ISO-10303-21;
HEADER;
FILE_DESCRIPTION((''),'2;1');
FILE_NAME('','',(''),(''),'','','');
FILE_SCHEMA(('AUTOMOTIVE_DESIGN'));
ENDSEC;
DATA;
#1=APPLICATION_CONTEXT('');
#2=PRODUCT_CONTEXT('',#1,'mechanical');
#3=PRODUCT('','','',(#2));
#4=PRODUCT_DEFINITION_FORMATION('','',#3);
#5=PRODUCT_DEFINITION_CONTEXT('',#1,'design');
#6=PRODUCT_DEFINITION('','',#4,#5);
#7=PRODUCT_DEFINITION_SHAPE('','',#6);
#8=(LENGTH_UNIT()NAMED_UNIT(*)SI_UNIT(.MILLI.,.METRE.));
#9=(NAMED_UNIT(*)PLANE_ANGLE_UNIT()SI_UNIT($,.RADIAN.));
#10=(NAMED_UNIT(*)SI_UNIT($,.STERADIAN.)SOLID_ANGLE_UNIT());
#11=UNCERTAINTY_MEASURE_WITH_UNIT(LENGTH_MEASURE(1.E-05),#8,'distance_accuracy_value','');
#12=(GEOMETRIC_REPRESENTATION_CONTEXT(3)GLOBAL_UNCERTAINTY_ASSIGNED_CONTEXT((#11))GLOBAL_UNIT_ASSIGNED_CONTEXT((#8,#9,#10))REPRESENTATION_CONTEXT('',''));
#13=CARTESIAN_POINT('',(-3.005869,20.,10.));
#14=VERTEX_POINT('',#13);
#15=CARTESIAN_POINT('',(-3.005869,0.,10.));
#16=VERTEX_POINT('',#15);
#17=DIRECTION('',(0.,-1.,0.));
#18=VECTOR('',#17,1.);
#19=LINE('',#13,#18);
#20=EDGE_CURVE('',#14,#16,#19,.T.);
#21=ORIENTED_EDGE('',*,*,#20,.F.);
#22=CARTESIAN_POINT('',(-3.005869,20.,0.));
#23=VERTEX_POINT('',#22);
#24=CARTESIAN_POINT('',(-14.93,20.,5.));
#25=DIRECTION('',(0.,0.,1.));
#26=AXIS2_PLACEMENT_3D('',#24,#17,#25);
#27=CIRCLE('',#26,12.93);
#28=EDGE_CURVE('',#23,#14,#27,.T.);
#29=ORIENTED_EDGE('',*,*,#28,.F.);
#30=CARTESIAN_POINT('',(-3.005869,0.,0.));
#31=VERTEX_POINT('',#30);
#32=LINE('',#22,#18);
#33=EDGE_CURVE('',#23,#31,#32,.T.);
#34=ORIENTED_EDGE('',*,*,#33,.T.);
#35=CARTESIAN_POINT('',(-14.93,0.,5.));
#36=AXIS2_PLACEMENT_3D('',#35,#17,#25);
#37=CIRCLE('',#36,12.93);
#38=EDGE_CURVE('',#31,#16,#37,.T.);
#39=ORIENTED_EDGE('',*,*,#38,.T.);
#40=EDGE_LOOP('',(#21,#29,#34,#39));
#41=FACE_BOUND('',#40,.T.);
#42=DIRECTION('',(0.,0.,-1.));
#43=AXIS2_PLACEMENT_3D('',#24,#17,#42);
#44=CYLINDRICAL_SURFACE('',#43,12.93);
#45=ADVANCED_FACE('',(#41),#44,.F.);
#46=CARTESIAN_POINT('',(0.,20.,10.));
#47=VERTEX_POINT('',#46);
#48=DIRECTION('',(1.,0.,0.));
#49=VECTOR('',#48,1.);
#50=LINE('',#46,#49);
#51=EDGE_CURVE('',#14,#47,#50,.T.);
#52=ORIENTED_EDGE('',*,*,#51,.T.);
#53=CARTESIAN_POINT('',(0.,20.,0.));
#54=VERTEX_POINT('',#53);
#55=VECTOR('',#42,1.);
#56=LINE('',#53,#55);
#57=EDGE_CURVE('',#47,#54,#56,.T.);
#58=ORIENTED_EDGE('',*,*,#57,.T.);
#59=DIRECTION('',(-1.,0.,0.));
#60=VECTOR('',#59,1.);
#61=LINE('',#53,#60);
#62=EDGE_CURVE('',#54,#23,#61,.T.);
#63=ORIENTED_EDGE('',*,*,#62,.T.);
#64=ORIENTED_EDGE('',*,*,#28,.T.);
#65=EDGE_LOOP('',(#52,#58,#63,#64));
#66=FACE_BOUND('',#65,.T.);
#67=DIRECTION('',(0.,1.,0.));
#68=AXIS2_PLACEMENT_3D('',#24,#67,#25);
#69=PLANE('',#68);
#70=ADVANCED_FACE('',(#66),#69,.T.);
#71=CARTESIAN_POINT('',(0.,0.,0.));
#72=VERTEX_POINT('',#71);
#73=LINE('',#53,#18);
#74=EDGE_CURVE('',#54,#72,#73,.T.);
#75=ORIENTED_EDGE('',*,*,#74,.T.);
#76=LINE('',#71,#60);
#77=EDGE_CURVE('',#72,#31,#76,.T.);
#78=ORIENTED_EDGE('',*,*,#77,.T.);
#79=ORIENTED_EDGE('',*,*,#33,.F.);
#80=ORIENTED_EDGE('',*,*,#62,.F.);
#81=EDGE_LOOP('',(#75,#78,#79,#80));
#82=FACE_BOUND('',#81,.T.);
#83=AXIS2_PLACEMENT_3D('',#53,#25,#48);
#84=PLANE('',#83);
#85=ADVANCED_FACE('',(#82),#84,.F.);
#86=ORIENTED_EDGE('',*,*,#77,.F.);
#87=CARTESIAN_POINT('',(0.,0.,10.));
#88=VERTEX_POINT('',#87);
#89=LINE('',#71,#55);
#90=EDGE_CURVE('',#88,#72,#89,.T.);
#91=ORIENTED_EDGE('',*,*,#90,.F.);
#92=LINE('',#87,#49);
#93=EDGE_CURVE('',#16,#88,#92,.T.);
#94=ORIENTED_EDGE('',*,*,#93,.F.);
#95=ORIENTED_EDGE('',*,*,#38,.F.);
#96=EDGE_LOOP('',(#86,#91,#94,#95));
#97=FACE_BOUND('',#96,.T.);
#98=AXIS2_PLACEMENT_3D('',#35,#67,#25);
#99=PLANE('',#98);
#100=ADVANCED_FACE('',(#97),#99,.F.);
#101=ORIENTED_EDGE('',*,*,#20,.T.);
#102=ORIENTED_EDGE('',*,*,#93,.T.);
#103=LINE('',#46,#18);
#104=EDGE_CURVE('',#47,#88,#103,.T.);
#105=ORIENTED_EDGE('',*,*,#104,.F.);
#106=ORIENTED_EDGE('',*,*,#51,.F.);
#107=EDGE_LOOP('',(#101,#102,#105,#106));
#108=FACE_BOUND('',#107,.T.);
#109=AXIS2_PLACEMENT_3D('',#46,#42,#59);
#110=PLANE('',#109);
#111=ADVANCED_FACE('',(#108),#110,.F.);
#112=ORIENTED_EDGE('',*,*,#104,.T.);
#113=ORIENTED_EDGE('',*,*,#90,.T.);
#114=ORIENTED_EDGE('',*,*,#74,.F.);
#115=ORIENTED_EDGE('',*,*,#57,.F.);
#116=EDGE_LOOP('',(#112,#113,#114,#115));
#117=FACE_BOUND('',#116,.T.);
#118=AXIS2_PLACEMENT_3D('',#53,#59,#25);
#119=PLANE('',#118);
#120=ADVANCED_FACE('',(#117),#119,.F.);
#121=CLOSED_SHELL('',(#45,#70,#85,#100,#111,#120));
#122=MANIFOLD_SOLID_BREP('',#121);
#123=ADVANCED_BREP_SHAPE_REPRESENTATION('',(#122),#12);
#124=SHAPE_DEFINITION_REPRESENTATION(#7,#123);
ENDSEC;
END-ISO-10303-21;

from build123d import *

# Parameters (mm, degrees)
EXTRUDE_1_DEPTH = 20


with BuildPart() as part:
    # 草图1 → 凸台-拉伸1 (new body)
    with BuildSketch(Plane(origin=(0, 0, 0), x_dir=(1, 0, 0), z_dir=(0, 1, 0))):
        with BuildLine():
            Line((0, 0), (0, -10))
            Line((0, -10), (-3.005869004, -10))
            ThreePointArc((-3.005869004, -10), (-2, -5), (-3.005869004, 0))
            Line((-3.005869004, 0), (0, 0))
        make_face()
    extrude(amount=EXTRUDE_1_DEPTH)


solid = part.part
